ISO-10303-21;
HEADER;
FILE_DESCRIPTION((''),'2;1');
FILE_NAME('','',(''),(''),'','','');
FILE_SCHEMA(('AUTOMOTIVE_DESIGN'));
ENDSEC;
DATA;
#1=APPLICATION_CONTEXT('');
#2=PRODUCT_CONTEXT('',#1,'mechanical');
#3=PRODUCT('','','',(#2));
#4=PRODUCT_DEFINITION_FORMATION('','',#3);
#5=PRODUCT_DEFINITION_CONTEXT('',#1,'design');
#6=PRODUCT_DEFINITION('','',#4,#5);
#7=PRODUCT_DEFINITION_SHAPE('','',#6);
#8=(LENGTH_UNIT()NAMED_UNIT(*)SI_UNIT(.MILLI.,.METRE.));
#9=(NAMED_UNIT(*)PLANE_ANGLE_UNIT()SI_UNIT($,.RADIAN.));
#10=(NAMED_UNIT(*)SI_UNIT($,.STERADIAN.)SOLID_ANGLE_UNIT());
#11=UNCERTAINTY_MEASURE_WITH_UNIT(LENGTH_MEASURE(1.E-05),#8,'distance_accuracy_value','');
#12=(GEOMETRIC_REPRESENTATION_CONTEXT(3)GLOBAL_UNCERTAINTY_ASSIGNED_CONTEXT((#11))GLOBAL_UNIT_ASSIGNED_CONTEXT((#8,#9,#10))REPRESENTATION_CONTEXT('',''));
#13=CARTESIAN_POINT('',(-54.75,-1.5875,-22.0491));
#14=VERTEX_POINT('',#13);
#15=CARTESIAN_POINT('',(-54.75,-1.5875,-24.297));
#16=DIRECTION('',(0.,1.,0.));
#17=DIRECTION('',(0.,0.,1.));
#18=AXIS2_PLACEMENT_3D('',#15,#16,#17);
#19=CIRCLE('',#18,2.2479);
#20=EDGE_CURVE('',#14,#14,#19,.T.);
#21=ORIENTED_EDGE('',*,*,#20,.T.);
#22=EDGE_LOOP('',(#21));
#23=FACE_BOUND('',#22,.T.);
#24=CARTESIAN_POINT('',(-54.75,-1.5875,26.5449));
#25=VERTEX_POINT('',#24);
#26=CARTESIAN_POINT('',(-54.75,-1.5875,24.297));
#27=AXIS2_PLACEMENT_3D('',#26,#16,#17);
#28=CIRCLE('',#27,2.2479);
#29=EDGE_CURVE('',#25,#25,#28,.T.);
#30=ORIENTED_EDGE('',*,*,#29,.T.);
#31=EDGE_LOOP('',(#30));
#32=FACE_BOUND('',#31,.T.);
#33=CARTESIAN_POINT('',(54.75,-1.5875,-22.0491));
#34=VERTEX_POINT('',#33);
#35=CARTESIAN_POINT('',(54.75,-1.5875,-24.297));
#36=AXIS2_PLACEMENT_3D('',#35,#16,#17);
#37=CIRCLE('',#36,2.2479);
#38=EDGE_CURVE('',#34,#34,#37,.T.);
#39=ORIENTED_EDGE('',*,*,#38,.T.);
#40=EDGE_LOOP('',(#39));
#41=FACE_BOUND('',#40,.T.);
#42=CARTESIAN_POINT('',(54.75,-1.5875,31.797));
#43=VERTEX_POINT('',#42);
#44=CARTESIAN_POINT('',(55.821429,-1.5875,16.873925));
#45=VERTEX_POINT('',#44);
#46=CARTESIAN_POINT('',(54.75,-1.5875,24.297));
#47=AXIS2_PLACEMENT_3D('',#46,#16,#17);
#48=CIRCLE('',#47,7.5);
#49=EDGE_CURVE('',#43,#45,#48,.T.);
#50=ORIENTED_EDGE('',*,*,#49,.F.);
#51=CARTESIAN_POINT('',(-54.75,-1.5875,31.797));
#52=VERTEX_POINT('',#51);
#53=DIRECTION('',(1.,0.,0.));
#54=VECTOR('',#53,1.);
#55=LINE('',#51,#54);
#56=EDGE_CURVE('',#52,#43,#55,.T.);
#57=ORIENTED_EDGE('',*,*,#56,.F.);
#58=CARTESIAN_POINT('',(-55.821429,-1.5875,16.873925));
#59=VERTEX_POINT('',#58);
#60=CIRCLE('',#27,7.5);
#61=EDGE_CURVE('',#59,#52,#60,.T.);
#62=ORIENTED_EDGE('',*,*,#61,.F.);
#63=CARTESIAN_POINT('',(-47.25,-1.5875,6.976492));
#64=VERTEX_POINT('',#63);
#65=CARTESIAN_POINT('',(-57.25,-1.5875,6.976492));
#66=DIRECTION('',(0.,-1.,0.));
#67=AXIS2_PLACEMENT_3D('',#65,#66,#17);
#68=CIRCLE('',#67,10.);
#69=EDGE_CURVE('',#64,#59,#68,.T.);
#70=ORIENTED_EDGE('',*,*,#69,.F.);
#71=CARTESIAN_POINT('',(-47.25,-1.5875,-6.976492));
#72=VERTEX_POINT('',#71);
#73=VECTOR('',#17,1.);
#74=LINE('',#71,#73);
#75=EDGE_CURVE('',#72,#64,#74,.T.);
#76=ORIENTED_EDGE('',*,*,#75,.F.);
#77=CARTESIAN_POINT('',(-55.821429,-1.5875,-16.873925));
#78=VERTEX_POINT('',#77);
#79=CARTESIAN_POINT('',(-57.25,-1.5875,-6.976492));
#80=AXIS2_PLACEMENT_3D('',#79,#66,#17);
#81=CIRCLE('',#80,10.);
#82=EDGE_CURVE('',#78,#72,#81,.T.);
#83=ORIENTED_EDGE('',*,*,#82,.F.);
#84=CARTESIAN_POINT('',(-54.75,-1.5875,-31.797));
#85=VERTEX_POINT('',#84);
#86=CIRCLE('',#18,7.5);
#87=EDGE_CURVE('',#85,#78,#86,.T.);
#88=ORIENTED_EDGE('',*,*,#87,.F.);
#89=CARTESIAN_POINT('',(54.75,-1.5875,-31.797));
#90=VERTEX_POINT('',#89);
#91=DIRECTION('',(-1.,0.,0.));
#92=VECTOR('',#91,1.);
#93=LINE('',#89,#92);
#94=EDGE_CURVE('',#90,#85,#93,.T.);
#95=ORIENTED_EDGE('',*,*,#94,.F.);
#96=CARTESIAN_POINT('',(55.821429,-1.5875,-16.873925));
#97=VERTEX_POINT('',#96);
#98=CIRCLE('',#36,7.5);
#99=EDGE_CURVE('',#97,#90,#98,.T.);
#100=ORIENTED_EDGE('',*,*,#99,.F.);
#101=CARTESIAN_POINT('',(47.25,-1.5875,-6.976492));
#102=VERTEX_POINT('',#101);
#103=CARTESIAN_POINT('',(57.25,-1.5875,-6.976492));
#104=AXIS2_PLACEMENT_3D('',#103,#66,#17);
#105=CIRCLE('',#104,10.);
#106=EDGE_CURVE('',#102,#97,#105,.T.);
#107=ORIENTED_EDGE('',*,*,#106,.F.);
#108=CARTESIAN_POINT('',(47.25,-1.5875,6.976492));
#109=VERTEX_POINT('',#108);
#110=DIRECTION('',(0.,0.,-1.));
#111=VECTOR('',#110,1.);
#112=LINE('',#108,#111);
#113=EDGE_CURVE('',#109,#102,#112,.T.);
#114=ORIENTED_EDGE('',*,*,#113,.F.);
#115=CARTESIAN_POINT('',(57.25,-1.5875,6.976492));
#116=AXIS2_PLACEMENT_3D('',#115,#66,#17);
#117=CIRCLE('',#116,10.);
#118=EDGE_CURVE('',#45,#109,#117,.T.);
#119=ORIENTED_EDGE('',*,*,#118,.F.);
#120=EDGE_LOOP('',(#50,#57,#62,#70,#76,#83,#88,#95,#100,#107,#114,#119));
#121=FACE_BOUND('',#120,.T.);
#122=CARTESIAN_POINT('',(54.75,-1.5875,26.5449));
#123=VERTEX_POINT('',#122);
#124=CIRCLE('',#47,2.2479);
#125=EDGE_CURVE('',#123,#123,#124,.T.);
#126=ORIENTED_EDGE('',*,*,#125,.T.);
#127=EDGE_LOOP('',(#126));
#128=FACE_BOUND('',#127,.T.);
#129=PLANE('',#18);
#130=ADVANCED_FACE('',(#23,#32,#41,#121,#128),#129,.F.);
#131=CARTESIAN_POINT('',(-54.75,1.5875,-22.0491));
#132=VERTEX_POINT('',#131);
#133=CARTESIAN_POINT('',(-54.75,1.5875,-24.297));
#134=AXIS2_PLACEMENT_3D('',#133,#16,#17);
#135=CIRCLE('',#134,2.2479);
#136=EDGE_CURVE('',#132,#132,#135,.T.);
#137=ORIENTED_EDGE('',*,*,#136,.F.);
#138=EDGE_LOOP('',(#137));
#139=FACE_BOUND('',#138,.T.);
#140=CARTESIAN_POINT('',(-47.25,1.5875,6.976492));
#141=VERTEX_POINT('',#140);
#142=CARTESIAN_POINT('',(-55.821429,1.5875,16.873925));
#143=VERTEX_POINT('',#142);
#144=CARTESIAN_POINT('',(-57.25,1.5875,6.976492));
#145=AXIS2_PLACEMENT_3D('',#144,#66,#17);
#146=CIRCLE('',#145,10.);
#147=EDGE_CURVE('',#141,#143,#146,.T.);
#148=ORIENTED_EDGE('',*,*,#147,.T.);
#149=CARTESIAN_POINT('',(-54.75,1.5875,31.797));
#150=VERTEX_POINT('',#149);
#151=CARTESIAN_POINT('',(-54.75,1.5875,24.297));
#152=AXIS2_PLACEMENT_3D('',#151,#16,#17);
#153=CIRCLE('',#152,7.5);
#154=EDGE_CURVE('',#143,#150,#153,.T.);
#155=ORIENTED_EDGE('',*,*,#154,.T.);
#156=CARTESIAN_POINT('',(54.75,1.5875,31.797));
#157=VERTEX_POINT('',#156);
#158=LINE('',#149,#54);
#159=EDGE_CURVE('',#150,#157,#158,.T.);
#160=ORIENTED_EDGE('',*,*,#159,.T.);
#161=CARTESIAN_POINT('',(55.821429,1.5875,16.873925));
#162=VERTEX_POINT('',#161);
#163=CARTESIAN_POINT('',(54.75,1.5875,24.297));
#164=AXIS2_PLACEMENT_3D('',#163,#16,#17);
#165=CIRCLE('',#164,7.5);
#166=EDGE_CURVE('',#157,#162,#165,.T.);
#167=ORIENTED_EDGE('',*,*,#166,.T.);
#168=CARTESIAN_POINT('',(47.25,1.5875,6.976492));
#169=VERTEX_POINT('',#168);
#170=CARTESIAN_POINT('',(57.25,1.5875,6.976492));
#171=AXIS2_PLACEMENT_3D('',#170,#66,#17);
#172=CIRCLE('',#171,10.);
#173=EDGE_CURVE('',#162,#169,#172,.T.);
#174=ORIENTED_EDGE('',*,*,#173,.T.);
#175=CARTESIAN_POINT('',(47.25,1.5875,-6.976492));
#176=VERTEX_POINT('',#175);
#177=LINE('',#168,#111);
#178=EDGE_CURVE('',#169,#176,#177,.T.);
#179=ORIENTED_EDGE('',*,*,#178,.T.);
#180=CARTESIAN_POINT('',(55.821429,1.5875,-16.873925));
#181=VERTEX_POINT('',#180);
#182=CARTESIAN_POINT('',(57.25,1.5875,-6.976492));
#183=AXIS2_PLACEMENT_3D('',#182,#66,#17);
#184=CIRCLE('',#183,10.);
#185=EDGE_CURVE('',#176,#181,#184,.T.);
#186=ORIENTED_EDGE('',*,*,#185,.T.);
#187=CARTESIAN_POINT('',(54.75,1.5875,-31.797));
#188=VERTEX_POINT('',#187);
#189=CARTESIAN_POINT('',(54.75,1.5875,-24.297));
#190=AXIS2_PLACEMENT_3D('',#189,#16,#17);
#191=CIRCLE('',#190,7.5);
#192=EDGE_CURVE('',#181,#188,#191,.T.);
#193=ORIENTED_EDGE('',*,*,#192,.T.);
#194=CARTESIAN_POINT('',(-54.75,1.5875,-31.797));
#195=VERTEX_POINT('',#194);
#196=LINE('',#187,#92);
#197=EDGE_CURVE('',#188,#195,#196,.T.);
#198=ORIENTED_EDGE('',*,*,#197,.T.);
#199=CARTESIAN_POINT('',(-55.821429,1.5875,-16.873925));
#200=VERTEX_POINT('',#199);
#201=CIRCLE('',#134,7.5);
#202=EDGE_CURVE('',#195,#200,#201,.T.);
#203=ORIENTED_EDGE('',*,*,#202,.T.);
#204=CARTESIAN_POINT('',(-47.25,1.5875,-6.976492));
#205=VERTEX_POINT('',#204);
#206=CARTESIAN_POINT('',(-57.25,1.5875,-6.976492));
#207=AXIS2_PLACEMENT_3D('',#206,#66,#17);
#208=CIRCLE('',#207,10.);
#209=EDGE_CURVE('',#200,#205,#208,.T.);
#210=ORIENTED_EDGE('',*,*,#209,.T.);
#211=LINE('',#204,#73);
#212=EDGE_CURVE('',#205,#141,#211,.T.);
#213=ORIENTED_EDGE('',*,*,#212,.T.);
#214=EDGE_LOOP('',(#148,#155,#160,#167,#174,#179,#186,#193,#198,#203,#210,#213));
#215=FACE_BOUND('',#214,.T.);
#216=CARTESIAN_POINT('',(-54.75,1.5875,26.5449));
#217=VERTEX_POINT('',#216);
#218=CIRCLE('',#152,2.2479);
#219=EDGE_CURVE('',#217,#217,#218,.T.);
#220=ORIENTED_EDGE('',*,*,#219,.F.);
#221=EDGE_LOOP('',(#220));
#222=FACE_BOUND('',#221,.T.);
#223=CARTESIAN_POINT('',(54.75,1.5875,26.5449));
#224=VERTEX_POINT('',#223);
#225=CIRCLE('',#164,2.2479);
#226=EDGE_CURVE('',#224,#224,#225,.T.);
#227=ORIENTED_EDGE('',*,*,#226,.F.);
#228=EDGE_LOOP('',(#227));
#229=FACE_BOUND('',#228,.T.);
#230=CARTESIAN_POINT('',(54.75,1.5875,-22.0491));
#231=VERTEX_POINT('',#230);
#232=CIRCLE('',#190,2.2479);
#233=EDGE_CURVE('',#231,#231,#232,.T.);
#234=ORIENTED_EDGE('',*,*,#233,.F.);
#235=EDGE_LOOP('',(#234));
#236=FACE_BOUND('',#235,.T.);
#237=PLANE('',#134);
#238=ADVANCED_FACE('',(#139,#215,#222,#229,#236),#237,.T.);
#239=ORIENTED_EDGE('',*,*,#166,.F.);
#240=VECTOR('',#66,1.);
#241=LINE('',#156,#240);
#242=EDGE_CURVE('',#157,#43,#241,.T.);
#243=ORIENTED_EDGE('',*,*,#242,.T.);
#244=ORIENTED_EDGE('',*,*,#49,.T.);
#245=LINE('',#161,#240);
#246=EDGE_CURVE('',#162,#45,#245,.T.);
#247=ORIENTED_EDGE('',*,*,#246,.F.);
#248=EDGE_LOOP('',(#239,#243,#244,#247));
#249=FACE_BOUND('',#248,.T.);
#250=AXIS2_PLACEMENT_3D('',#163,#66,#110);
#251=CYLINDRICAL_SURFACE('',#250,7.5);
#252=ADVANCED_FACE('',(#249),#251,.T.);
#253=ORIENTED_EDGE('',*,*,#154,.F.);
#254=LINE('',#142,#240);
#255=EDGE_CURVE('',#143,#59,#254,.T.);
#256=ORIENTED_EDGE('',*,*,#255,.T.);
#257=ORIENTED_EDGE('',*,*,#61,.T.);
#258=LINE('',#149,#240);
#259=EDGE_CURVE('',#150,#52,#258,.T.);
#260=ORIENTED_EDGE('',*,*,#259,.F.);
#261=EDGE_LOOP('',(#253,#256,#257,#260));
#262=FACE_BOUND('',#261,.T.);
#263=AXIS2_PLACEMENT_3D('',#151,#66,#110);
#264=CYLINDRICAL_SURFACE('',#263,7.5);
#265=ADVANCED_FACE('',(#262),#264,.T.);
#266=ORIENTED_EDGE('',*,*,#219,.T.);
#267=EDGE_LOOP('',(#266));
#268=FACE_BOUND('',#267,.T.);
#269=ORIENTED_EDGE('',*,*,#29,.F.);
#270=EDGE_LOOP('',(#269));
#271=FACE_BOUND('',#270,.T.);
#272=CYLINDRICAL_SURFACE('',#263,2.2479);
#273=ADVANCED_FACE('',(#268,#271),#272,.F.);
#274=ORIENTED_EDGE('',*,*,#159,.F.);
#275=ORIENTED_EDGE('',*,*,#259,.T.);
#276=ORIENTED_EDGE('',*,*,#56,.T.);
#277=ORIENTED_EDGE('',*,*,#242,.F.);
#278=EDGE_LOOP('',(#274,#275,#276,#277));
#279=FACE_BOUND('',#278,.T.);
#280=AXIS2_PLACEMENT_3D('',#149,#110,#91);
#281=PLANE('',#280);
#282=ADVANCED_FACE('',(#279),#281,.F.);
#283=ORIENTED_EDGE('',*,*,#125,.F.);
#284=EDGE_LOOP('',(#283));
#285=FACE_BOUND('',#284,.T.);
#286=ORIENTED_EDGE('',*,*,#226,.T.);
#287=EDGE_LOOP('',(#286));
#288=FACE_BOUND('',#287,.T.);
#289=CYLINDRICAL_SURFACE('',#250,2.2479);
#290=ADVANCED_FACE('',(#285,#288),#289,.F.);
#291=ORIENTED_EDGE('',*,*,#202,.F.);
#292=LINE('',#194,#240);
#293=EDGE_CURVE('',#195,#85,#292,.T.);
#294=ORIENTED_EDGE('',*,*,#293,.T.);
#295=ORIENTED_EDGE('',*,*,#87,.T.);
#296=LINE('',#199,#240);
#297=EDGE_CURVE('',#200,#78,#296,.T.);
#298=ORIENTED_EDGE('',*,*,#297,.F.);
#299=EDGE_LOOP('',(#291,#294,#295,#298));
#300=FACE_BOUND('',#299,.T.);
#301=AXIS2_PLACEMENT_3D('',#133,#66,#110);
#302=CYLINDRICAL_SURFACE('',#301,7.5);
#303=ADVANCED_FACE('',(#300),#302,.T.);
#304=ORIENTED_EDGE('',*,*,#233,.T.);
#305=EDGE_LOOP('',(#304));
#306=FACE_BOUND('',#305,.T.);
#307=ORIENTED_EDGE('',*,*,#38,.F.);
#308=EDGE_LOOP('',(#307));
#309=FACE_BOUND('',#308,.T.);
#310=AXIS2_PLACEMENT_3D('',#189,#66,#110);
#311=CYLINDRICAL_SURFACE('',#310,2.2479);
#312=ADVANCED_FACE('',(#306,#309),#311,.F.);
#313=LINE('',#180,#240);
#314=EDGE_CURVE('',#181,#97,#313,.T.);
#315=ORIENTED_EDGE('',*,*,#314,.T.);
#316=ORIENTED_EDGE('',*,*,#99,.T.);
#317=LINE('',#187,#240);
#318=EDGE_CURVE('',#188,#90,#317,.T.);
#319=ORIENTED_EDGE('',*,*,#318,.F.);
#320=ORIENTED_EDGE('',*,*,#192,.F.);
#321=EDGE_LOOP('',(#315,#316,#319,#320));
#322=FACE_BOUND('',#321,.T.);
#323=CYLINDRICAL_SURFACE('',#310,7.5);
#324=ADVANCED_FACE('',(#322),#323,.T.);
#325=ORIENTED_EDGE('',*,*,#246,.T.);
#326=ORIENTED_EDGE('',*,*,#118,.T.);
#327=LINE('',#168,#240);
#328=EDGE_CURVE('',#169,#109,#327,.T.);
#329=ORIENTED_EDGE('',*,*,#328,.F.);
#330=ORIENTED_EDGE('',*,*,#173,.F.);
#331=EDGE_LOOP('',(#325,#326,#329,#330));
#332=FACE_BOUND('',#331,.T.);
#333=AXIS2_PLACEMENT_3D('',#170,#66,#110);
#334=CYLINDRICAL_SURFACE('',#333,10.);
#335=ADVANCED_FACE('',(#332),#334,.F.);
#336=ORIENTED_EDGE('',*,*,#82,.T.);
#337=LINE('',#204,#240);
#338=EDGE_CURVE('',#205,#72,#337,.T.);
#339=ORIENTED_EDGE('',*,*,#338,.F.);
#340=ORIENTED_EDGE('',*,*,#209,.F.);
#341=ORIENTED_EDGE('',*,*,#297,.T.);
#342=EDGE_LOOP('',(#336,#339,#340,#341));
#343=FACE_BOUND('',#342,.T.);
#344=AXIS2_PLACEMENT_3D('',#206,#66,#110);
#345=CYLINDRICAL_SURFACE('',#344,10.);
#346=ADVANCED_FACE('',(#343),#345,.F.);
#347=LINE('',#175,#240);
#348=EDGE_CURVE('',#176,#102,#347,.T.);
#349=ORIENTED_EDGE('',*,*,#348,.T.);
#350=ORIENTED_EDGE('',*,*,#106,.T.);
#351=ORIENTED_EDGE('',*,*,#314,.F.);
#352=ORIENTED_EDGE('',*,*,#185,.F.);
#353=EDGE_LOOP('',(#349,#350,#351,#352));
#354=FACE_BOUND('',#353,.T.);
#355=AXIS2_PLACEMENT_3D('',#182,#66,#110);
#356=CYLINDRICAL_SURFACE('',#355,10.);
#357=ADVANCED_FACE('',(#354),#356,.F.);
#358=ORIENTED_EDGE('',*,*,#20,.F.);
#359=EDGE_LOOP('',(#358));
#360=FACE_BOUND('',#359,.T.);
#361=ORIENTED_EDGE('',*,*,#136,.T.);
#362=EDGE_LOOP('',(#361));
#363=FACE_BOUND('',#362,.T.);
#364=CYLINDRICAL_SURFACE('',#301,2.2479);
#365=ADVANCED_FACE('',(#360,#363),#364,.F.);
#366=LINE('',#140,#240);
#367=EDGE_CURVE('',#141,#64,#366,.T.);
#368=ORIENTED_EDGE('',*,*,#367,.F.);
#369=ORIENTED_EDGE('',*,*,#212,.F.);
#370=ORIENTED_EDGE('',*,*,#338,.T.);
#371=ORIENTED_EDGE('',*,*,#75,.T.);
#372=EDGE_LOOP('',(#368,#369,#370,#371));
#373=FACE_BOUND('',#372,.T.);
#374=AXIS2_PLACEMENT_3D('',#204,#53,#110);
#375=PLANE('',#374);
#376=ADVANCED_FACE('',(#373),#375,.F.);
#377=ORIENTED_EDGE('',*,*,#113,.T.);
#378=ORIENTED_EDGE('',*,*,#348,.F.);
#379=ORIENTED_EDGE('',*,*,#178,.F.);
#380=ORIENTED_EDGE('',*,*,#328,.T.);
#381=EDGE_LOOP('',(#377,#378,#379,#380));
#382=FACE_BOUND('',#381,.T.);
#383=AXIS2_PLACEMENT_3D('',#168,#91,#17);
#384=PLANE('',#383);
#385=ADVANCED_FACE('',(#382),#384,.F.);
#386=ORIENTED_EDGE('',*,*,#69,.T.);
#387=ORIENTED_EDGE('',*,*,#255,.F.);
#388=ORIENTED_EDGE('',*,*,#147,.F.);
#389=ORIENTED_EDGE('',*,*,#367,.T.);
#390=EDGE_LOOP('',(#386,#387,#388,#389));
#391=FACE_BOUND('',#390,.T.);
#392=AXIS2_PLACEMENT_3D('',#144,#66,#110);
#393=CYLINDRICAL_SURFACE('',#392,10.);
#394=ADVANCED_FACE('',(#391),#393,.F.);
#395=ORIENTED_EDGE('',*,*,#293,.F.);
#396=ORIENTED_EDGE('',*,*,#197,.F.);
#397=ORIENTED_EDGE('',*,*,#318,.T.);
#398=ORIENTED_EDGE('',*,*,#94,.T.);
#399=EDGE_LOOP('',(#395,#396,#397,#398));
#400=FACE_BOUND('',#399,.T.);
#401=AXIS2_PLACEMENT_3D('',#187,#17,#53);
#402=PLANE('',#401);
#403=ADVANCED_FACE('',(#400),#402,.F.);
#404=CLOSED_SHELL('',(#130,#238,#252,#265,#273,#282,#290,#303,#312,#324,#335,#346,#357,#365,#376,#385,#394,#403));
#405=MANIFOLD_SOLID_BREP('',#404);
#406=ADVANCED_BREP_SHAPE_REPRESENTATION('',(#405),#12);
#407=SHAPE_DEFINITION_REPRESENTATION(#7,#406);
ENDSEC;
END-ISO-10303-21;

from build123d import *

# Parameters (mm, degrees)
SKETCH1_R           = 2.2479
BOSS_EXTRUDE1_DEPTH = 1.5875


with BuildPart() as part:
    # Sketch1 → Boss-Extrude1 (new, symmetric)
    with BuildSketch(Plane(origin=(0, 0, 0), x_dir=(1, 0, 0), z_dir=(0, 1, 0))):
        with BuildLine():
            Line((-47.25, 6.976491924), (-47.25, -6.976491924))
            ThreePointArc((-47.25, -6.976491924), (-49.69071054, -13.523028631), (-55.821428571, -16.87392511))
            ThreePointArc((-55.821428571, -16.87392511), (-60.419467095, -19.38709747), (-62.25, -24.297))
            ThreePointArc((-62.25, -24.297), (-60.053300859, -29.600300859), (-54.75, -31.797))
            Line((-54.75, -31.797), (54.75, -31.797))
            ThreePointArc((54.75, -31.797), (60.053300859, -29.600300859), (62.25, -24.297))
            ThreePointArc((62.25, -24.297), (60.419467095, -19.38709747), (55.821428571, -16.87392511))
            ThreePointArc((55.821428571, -16.87392511), (49.69071054, -13.523028631), (47.25, -6.976491924))
            Line((47.25, -6.976491924), (47.25, 6.976491924))
            ThreePointArc((47.25, 6.976491924), (49.69071054, 13.523028631), (55.821428571, 16.87392511))
            ThreePointArc((55.821428571, 16.87392511), (60.419467095, 19.38709747), (62.25, 24.297))
            ThreePointArc((62.25, 24.297), (60.053300859, 29.600300859), (54.75, 31.797))
            Line((54.75, 31.797), (-54.75, 31.797))
            ThreePointArc((-54.75, 31.797), (-60.053300859, 29.600300859), (-62.25, 24.297))
            ThreePointArc((-62.25, 24.297), (-60.419467095, 19.38709747), (-55.821428571, 16.87392511))
            ThreePointArc((-55.821428571, 16.87392511), (-49.69071054, 13.523028631), (-47.25, 6.976491924))
        make_face()
        with Locations(Location((54.75, 24.297, 0), (0, 0, 270))):
            Circle(SKETCH1_R, mode=Mode.SUBTRACT)
        with Locations(Location((54.75, -24.297, 0), (0, 0, 270))):
            Circle(SKETCH1_R, mode=Mode.SUBTRACT)
        with Locations(Location((-54.75, -24.297, 0), (0, 0, 270))):
            Circle(SKETCH1_R, mode=Mode.SUBTRACT)
        with Locations(Location((-54.75, 24.297, 0), (0, 0, 270))):
            Circle(SKETCH1_R, mode=Mode.SUBTRACT)
    extrude(amount=BOSS_EXTRUDE1_DEPTH, both=True)


solid = part.part
